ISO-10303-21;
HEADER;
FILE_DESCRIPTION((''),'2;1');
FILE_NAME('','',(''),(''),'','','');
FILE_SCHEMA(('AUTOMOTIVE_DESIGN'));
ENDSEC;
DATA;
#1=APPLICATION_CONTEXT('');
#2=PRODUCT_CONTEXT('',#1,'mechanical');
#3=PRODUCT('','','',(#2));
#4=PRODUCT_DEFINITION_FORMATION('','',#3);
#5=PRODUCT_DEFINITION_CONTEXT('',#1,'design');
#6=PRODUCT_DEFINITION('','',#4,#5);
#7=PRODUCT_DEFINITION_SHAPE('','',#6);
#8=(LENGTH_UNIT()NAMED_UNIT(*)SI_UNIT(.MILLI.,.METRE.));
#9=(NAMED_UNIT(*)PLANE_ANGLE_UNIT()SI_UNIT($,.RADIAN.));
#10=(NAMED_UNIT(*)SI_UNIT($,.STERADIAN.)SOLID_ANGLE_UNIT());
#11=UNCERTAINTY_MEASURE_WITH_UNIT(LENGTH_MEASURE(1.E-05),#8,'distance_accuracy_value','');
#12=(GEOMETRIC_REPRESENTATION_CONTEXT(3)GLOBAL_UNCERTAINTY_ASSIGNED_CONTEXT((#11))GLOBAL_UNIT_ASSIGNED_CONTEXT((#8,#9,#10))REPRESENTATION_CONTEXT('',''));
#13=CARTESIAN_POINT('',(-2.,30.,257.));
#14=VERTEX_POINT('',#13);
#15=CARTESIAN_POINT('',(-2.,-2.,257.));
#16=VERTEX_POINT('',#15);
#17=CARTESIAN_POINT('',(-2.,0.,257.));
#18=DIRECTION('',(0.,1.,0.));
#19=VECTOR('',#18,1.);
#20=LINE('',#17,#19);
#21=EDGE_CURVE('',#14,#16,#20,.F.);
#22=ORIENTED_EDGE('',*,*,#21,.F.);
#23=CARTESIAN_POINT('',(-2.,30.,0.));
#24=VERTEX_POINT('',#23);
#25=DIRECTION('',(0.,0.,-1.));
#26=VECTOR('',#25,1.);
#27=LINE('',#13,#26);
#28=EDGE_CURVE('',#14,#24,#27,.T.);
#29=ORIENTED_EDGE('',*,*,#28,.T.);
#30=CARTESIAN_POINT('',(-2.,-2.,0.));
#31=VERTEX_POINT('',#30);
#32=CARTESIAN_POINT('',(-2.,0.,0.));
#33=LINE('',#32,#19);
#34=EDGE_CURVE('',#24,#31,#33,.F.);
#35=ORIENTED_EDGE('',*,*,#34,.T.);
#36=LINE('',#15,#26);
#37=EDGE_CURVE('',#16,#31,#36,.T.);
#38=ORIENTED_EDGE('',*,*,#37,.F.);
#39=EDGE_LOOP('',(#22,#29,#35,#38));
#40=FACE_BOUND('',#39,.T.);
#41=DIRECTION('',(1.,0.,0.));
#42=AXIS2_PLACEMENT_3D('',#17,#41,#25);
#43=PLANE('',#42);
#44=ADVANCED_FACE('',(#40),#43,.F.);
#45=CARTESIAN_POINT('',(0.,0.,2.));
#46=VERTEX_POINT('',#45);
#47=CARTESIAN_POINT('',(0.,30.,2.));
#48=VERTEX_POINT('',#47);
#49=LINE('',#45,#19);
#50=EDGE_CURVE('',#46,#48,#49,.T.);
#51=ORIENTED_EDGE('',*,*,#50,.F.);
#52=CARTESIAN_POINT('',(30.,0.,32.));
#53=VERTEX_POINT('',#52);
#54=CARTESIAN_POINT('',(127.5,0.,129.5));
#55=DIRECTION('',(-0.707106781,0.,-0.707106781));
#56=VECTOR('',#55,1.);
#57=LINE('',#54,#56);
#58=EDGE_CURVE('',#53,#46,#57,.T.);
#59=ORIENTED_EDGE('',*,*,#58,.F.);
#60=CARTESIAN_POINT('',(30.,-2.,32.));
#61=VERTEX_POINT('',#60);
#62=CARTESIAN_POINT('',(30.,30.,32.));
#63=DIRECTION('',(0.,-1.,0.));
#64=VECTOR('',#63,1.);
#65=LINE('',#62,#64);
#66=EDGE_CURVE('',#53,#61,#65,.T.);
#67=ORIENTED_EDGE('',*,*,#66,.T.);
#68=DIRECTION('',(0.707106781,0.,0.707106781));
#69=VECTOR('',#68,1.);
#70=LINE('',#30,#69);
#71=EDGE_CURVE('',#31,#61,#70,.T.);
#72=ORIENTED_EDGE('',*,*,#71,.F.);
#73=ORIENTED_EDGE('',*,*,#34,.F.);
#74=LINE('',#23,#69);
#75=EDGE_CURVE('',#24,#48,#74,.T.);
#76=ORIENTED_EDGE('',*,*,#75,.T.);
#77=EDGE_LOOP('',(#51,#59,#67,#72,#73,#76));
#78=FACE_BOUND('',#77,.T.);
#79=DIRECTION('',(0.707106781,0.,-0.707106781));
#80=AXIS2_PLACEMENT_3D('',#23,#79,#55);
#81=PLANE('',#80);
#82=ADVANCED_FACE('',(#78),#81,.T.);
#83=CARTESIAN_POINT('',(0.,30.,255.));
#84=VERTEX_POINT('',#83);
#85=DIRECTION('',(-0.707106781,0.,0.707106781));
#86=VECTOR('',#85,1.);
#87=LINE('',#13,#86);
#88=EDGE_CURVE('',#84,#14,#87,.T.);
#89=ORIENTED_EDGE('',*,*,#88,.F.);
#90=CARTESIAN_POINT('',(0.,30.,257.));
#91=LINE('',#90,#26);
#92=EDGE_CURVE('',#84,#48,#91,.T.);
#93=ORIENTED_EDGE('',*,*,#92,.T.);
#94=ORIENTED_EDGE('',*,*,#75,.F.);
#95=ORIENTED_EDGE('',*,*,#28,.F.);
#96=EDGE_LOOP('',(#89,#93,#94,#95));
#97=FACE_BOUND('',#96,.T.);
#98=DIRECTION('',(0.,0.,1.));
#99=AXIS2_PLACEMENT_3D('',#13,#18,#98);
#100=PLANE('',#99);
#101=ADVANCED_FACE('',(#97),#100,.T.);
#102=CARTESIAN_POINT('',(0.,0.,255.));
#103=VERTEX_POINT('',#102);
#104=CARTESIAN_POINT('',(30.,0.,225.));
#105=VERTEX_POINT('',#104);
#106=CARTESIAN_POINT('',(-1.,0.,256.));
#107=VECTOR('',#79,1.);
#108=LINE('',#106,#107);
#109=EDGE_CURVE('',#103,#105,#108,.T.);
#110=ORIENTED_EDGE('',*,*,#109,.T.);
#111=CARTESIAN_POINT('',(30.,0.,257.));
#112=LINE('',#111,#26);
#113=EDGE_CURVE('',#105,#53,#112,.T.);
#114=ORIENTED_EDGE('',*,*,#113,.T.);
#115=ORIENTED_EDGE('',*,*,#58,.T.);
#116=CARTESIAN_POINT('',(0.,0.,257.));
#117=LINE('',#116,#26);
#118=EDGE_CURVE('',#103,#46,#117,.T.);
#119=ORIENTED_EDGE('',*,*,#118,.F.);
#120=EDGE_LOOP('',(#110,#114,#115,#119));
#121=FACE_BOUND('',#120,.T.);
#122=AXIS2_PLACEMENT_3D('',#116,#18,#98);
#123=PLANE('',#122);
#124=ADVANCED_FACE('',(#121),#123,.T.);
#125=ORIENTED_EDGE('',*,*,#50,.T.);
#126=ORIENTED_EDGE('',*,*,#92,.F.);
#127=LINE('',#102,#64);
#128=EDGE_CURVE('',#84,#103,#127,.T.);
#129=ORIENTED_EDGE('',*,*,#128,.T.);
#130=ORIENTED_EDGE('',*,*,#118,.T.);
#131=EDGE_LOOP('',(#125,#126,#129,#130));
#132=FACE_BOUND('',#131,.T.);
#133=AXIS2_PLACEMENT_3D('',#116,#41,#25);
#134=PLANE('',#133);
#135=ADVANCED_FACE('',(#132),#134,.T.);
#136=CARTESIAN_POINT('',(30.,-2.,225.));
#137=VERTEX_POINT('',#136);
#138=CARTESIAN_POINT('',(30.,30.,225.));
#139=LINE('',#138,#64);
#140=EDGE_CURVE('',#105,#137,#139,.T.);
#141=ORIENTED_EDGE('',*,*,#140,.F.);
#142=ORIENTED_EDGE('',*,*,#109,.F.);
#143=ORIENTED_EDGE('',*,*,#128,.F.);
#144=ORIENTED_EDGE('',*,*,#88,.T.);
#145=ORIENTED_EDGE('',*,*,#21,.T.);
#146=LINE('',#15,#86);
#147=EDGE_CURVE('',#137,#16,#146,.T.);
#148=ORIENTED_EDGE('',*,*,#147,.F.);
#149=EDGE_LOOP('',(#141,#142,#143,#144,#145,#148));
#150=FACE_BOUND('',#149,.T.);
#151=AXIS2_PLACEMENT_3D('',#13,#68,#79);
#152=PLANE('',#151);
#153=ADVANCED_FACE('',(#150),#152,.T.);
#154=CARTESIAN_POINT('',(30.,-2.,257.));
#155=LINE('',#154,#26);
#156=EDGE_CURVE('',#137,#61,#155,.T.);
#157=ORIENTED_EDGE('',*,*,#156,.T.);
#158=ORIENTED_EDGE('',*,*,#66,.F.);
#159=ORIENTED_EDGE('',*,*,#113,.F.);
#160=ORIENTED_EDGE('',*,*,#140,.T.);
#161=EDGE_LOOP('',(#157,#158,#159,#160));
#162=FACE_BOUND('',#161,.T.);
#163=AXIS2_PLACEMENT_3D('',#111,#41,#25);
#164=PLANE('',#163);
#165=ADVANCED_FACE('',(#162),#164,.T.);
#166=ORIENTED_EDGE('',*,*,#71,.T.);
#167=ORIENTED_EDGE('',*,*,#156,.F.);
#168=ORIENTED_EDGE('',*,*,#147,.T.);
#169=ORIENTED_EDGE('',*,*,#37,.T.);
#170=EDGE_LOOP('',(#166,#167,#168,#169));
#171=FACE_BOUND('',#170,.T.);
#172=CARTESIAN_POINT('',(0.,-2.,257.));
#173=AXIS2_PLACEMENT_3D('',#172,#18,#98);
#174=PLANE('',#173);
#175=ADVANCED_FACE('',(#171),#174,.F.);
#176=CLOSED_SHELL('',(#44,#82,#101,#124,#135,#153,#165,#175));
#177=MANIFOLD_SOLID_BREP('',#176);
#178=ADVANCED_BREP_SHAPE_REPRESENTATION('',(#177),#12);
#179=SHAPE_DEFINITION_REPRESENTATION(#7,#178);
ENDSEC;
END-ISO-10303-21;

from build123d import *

# Parameters (mm, degrees)
EXTRUDE_THIN6_DEPTH = 257
CUT_EXTRUDE1_DEPTH  = 261.716320931


with BuildPart() as part:
    # Sketch2 → Extrude-Thin6 (new body)
    with BuildSketch(Plane.XY):
        Polygon((30, 0), (0, 0), (0, 30), (-2, 30), (-2, -2), (30, -2), align=None)
    extrude(amount=EXTRUDE_THIN6_DEPTH)

    # Sketch3 → Cut-Extrude1 (cut, through all)
    with BuildSketch(Plane(origin=(0, -2, 0), x_dir=(1, 0, 0), z_dir=(0, 1, 0))):
        Polygon((-2, 0), (30, -32), (30, 0), align=None)
        Polygon((30, -257), (30, -225), (-2, -257), align=None)
    extrude(amount=CUT_EXTRUDE1_DEPTH, mode=Mode.SUBTRACT)


solid = part.part
